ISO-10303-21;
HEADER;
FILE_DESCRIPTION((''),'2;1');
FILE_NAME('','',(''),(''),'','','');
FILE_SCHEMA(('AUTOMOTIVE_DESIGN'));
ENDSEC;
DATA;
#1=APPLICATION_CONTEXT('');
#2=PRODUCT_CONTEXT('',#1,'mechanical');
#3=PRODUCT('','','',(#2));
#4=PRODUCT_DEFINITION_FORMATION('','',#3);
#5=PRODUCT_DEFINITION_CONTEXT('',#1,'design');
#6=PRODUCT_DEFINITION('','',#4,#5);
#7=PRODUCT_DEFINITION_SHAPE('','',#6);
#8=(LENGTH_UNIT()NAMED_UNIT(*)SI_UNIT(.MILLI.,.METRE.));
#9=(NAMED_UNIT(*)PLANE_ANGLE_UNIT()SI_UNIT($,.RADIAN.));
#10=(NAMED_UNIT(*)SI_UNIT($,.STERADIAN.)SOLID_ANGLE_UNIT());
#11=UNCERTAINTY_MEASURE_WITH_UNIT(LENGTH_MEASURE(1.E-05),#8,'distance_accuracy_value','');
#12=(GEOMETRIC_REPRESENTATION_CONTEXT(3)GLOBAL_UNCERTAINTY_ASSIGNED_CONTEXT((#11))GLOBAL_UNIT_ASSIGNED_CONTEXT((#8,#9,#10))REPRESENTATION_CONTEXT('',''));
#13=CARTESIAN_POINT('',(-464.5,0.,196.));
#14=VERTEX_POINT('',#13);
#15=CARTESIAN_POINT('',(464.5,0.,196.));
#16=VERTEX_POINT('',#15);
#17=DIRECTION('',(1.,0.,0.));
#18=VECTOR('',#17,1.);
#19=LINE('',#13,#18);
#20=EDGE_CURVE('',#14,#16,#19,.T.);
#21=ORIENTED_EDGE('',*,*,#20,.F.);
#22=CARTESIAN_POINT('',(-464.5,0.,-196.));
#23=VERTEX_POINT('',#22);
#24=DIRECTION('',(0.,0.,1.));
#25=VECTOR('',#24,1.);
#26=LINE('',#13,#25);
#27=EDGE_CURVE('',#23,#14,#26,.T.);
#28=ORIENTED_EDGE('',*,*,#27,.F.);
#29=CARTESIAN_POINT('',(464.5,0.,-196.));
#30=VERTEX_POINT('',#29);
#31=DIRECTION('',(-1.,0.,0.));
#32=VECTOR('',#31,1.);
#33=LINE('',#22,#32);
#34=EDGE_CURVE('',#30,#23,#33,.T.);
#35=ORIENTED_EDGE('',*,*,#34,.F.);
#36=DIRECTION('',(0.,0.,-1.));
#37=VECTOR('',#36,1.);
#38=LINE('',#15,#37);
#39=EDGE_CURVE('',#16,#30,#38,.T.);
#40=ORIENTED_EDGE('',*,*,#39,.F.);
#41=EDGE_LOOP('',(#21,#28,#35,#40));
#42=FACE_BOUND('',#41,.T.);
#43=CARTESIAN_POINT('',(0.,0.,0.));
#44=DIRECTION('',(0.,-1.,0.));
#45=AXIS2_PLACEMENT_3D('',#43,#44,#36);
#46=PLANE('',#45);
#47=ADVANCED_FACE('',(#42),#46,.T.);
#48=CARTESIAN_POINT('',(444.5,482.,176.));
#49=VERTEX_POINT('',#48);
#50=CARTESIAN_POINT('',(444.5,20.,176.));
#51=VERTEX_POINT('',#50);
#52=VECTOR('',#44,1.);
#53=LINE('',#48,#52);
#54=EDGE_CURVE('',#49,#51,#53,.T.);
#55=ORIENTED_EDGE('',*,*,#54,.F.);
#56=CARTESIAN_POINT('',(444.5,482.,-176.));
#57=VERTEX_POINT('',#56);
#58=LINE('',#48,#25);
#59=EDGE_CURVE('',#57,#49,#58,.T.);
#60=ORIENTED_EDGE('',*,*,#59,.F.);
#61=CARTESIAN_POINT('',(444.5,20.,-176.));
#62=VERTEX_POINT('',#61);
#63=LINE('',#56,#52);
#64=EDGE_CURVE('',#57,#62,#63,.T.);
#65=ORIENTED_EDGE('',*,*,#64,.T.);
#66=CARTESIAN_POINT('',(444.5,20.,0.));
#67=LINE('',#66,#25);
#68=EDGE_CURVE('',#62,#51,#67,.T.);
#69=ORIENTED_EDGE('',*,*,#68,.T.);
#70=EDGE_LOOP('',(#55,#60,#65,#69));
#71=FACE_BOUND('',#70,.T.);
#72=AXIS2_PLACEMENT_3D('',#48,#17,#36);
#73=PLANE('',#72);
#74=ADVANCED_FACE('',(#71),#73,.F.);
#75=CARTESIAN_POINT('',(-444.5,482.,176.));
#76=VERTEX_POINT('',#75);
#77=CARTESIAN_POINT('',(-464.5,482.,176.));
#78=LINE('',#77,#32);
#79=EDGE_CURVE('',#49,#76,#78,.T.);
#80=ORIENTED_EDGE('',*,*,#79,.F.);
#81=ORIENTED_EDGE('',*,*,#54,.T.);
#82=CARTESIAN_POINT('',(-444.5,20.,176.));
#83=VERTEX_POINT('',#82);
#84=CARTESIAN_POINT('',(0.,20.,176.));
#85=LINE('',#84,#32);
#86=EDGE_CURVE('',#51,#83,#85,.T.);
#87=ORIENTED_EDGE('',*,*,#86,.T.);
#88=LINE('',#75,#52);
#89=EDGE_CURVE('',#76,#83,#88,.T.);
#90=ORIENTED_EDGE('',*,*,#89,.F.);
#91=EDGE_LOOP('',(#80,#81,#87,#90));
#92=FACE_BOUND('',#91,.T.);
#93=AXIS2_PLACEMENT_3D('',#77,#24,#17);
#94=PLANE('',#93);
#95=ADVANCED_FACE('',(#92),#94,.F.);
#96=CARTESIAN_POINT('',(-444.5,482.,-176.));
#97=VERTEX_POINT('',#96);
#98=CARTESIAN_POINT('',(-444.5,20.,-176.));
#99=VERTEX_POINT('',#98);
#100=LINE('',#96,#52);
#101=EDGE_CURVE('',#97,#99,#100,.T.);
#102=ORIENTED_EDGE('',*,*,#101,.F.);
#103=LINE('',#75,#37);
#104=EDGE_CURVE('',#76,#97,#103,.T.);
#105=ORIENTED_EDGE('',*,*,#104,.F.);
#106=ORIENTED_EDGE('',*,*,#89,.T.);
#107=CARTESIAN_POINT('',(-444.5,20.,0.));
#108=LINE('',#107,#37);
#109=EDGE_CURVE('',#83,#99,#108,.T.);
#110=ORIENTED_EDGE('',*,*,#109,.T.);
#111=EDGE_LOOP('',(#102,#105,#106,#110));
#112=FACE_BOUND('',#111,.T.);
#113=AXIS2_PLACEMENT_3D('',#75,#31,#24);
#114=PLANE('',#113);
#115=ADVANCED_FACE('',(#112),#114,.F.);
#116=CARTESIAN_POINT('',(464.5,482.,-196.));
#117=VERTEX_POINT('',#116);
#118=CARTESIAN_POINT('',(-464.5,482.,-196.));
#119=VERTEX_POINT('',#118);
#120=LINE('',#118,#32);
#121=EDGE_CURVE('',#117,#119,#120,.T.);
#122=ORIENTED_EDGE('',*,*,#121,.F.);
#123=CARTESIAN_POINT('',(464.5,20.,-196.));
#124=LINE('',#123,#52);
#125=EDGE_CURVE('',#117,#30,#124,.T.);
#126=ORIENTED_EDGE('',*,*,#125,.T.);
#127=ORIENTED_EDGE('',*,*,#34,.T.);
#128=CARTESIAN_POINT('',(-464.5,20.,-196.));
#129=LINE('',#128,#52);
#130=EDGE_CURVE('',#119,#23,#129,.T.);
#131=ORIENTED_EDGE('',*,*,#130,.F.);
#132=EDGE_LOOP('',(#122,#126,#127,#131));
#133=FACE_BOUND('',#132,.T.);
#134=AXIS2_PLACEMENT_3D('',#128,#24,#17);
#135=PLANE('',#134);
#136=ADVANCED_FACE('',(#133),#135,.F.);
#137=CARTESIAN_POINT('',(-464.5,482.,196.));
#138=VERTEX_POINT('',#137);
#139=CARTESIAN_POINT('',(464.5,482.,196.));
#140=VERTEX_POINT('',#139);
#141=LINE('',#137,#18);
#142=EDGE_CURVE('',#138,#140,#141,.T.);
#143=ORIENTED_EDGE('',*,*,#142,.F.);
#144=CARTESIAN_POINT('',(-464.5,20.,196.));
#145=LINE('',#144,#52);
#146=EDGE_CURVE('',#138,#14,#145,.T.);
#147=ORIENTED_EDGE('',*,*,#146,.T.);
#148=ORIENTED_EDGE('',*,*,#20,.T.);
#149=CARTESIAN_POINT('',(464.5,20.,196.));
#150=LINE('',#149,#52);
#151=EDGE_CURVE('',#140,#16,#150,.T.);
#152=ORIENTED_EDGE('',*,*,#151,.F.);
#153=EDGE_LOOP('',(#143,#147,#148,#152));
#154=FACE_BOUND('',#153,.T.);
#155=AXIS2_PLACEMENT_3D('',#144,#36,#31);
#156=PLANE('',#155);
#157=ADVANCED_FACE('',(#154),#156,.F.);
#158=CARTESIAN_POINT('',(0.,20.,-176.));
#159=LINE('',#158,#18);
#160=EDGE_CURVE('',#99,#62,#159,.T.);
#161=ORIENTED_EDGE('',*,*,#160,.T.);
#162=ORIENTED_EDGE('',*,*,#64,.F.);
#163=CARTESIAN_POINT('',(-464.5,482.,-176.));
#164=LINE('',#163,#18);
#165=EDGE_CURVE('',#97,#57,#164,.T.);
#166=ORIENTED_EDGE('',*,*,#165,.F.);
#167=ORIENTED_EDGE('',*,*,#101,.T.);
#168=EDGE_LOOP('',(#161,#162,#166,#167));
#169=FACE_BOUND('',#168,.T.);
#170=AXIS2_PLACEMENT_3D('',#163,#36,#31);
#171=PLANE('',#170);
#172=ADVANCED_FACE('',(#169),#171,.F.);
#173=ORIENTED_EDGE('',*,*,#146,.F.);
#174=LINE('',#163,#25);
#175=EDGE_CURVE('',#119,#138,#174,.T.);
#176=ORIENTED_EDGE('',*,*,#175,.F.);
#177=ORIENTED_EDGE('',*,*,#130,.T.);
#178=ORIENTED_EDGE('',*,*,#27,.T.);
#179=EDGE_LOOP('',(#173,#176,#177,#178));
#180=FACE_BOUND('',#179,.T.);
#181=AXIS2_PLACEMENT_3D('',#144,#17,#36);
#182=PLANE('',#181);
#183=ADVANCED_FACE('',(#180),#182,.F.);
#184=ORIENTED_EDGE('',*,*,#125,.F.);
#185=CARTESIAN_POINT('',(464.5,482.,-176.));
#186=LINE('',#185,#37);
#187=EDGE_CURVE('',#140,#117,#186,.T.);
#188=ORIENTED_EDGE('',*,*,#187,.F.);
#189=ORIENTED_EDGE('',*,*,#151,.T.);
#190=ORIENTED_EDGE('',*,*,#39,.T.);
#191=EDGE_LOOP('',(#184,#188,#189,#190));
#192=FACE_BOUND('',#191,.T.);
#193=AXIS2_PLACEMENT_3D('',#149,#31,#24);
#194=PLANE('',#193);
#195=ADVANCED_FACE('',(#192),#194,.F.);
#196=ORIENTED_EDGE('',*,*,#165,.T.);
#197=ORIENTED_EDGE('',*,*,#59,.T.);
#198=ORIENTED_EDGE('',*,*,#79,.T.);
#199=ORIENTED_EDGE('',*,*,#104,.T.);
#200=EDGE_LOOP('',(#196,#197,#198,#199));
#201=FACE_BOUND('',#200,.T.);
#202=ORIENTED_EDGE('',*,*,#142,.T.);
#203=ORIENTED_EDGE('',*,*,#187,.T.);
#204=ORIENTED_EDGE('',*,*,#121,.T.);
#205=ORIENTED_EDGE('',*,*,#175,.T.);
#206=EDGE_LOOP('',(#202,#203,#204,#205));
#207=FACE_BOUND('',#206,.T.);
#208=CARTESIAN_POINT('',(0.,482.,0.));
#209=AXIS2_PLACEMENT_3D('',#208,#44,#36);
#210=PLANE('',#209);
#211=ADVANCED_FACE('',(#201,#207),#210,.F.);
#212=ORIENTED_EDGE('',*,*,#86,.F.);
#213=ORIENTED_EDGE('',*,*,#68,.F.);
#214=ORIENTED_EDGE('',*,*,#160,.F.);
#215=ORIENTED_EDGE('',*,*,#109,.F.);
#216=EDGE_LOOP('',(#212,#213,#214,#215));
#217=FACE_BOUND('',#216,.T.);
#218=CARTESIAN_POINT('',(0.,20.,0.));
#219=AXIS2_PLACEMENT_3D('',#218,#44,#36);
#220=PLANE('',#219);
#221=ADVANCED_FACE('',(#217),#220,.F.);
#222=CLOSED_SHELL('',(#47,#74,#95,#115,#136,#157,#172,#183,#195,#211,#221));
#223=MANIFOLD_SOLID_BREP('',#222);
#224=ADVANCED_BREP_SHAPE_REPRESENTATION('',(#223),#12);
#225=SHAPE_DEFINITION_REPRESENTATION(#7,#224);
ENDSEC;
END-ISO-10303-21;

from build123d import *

# Parameters (mm, degrees)
SKETCH1_W          = 929
SKETCH1_H          = 392
BOTTOM_PLATE_DEPTH = 20
SKETCH2_W          = 929
SKETCH2_H          = 20
LEFT_WALL_DEPTH    = 482
SKETCH3_W          = 929
SKETCH3_H          = 20
RIGHT_WALL_DEPTH   = 482
SKETCH4_W          = 20
SKETCH4_H          = 352
BACK_WALL_DEPTH    = 482
SKETCH5_W          = 20
SKETCH5_H          = 352
FRONT_WALL_DEPTH   = 482


with BuildPart() as part:
    # Sketch1 → Bottom Plate (new body)
    with BuildSketch(Plane(origin=(0, 0, 0), x_dir=(1, 0, 0), z_dir=(0, 1, 0))):
        Rectangle(SKETCH1_W, SKETCH1_H)
    extrude(amount=BOTTOM_PLATE_DEPTH)

    # Sketch2 → Left Wall (add)
    with BuildSketch(Plane(origin=(0, 0, 0), x_dir=(1, 0, 0), z_dir=(0, 1, 0))):
        with Locations((0, 186)):
            Rectangle(SKETCH2_W, SKETCH2_H)
    extrude(amount=LEFT_WALL_DEPTH)

    # Sketch3 → Right Wall (add)
    with BuildSketch(Plane(origin=(0, 0, 0), x_dir=(1, 0, 0), z_dir=(0, 1, 0))):
        with Locations((0, -186)):
            Rectangle(SKETCH3_W, SKETCH3_H)
    extrude(amount=RIGHT_WALL_DEPTH)

    # Sketch4 → Back Wall (add)
    with BuildSketch(Plane(origin=(0, 0, 0), x_dir=(1, 0, 0), z_dir=(0, 1, 0))):
        with Locations((454.5, 0)):
            Rectangle(SKETCH4_W, SKETCH4_H)
    extrude(amount=BACK_WALL_DEPTH)

    # Sketch5 → Front Wall (add)
    with BuildSketch(Plane(origin=(0, 0, 0), x_dir=(1, 0, 0), z_dir=(0, 1, 0))):
        with Locations((-454.5, 0)):
            Rectangle(SKETCH5_W, SKETCH5_H)
    extrude(amount=FRONT_WALL_DEPTH)


solid = part.part
